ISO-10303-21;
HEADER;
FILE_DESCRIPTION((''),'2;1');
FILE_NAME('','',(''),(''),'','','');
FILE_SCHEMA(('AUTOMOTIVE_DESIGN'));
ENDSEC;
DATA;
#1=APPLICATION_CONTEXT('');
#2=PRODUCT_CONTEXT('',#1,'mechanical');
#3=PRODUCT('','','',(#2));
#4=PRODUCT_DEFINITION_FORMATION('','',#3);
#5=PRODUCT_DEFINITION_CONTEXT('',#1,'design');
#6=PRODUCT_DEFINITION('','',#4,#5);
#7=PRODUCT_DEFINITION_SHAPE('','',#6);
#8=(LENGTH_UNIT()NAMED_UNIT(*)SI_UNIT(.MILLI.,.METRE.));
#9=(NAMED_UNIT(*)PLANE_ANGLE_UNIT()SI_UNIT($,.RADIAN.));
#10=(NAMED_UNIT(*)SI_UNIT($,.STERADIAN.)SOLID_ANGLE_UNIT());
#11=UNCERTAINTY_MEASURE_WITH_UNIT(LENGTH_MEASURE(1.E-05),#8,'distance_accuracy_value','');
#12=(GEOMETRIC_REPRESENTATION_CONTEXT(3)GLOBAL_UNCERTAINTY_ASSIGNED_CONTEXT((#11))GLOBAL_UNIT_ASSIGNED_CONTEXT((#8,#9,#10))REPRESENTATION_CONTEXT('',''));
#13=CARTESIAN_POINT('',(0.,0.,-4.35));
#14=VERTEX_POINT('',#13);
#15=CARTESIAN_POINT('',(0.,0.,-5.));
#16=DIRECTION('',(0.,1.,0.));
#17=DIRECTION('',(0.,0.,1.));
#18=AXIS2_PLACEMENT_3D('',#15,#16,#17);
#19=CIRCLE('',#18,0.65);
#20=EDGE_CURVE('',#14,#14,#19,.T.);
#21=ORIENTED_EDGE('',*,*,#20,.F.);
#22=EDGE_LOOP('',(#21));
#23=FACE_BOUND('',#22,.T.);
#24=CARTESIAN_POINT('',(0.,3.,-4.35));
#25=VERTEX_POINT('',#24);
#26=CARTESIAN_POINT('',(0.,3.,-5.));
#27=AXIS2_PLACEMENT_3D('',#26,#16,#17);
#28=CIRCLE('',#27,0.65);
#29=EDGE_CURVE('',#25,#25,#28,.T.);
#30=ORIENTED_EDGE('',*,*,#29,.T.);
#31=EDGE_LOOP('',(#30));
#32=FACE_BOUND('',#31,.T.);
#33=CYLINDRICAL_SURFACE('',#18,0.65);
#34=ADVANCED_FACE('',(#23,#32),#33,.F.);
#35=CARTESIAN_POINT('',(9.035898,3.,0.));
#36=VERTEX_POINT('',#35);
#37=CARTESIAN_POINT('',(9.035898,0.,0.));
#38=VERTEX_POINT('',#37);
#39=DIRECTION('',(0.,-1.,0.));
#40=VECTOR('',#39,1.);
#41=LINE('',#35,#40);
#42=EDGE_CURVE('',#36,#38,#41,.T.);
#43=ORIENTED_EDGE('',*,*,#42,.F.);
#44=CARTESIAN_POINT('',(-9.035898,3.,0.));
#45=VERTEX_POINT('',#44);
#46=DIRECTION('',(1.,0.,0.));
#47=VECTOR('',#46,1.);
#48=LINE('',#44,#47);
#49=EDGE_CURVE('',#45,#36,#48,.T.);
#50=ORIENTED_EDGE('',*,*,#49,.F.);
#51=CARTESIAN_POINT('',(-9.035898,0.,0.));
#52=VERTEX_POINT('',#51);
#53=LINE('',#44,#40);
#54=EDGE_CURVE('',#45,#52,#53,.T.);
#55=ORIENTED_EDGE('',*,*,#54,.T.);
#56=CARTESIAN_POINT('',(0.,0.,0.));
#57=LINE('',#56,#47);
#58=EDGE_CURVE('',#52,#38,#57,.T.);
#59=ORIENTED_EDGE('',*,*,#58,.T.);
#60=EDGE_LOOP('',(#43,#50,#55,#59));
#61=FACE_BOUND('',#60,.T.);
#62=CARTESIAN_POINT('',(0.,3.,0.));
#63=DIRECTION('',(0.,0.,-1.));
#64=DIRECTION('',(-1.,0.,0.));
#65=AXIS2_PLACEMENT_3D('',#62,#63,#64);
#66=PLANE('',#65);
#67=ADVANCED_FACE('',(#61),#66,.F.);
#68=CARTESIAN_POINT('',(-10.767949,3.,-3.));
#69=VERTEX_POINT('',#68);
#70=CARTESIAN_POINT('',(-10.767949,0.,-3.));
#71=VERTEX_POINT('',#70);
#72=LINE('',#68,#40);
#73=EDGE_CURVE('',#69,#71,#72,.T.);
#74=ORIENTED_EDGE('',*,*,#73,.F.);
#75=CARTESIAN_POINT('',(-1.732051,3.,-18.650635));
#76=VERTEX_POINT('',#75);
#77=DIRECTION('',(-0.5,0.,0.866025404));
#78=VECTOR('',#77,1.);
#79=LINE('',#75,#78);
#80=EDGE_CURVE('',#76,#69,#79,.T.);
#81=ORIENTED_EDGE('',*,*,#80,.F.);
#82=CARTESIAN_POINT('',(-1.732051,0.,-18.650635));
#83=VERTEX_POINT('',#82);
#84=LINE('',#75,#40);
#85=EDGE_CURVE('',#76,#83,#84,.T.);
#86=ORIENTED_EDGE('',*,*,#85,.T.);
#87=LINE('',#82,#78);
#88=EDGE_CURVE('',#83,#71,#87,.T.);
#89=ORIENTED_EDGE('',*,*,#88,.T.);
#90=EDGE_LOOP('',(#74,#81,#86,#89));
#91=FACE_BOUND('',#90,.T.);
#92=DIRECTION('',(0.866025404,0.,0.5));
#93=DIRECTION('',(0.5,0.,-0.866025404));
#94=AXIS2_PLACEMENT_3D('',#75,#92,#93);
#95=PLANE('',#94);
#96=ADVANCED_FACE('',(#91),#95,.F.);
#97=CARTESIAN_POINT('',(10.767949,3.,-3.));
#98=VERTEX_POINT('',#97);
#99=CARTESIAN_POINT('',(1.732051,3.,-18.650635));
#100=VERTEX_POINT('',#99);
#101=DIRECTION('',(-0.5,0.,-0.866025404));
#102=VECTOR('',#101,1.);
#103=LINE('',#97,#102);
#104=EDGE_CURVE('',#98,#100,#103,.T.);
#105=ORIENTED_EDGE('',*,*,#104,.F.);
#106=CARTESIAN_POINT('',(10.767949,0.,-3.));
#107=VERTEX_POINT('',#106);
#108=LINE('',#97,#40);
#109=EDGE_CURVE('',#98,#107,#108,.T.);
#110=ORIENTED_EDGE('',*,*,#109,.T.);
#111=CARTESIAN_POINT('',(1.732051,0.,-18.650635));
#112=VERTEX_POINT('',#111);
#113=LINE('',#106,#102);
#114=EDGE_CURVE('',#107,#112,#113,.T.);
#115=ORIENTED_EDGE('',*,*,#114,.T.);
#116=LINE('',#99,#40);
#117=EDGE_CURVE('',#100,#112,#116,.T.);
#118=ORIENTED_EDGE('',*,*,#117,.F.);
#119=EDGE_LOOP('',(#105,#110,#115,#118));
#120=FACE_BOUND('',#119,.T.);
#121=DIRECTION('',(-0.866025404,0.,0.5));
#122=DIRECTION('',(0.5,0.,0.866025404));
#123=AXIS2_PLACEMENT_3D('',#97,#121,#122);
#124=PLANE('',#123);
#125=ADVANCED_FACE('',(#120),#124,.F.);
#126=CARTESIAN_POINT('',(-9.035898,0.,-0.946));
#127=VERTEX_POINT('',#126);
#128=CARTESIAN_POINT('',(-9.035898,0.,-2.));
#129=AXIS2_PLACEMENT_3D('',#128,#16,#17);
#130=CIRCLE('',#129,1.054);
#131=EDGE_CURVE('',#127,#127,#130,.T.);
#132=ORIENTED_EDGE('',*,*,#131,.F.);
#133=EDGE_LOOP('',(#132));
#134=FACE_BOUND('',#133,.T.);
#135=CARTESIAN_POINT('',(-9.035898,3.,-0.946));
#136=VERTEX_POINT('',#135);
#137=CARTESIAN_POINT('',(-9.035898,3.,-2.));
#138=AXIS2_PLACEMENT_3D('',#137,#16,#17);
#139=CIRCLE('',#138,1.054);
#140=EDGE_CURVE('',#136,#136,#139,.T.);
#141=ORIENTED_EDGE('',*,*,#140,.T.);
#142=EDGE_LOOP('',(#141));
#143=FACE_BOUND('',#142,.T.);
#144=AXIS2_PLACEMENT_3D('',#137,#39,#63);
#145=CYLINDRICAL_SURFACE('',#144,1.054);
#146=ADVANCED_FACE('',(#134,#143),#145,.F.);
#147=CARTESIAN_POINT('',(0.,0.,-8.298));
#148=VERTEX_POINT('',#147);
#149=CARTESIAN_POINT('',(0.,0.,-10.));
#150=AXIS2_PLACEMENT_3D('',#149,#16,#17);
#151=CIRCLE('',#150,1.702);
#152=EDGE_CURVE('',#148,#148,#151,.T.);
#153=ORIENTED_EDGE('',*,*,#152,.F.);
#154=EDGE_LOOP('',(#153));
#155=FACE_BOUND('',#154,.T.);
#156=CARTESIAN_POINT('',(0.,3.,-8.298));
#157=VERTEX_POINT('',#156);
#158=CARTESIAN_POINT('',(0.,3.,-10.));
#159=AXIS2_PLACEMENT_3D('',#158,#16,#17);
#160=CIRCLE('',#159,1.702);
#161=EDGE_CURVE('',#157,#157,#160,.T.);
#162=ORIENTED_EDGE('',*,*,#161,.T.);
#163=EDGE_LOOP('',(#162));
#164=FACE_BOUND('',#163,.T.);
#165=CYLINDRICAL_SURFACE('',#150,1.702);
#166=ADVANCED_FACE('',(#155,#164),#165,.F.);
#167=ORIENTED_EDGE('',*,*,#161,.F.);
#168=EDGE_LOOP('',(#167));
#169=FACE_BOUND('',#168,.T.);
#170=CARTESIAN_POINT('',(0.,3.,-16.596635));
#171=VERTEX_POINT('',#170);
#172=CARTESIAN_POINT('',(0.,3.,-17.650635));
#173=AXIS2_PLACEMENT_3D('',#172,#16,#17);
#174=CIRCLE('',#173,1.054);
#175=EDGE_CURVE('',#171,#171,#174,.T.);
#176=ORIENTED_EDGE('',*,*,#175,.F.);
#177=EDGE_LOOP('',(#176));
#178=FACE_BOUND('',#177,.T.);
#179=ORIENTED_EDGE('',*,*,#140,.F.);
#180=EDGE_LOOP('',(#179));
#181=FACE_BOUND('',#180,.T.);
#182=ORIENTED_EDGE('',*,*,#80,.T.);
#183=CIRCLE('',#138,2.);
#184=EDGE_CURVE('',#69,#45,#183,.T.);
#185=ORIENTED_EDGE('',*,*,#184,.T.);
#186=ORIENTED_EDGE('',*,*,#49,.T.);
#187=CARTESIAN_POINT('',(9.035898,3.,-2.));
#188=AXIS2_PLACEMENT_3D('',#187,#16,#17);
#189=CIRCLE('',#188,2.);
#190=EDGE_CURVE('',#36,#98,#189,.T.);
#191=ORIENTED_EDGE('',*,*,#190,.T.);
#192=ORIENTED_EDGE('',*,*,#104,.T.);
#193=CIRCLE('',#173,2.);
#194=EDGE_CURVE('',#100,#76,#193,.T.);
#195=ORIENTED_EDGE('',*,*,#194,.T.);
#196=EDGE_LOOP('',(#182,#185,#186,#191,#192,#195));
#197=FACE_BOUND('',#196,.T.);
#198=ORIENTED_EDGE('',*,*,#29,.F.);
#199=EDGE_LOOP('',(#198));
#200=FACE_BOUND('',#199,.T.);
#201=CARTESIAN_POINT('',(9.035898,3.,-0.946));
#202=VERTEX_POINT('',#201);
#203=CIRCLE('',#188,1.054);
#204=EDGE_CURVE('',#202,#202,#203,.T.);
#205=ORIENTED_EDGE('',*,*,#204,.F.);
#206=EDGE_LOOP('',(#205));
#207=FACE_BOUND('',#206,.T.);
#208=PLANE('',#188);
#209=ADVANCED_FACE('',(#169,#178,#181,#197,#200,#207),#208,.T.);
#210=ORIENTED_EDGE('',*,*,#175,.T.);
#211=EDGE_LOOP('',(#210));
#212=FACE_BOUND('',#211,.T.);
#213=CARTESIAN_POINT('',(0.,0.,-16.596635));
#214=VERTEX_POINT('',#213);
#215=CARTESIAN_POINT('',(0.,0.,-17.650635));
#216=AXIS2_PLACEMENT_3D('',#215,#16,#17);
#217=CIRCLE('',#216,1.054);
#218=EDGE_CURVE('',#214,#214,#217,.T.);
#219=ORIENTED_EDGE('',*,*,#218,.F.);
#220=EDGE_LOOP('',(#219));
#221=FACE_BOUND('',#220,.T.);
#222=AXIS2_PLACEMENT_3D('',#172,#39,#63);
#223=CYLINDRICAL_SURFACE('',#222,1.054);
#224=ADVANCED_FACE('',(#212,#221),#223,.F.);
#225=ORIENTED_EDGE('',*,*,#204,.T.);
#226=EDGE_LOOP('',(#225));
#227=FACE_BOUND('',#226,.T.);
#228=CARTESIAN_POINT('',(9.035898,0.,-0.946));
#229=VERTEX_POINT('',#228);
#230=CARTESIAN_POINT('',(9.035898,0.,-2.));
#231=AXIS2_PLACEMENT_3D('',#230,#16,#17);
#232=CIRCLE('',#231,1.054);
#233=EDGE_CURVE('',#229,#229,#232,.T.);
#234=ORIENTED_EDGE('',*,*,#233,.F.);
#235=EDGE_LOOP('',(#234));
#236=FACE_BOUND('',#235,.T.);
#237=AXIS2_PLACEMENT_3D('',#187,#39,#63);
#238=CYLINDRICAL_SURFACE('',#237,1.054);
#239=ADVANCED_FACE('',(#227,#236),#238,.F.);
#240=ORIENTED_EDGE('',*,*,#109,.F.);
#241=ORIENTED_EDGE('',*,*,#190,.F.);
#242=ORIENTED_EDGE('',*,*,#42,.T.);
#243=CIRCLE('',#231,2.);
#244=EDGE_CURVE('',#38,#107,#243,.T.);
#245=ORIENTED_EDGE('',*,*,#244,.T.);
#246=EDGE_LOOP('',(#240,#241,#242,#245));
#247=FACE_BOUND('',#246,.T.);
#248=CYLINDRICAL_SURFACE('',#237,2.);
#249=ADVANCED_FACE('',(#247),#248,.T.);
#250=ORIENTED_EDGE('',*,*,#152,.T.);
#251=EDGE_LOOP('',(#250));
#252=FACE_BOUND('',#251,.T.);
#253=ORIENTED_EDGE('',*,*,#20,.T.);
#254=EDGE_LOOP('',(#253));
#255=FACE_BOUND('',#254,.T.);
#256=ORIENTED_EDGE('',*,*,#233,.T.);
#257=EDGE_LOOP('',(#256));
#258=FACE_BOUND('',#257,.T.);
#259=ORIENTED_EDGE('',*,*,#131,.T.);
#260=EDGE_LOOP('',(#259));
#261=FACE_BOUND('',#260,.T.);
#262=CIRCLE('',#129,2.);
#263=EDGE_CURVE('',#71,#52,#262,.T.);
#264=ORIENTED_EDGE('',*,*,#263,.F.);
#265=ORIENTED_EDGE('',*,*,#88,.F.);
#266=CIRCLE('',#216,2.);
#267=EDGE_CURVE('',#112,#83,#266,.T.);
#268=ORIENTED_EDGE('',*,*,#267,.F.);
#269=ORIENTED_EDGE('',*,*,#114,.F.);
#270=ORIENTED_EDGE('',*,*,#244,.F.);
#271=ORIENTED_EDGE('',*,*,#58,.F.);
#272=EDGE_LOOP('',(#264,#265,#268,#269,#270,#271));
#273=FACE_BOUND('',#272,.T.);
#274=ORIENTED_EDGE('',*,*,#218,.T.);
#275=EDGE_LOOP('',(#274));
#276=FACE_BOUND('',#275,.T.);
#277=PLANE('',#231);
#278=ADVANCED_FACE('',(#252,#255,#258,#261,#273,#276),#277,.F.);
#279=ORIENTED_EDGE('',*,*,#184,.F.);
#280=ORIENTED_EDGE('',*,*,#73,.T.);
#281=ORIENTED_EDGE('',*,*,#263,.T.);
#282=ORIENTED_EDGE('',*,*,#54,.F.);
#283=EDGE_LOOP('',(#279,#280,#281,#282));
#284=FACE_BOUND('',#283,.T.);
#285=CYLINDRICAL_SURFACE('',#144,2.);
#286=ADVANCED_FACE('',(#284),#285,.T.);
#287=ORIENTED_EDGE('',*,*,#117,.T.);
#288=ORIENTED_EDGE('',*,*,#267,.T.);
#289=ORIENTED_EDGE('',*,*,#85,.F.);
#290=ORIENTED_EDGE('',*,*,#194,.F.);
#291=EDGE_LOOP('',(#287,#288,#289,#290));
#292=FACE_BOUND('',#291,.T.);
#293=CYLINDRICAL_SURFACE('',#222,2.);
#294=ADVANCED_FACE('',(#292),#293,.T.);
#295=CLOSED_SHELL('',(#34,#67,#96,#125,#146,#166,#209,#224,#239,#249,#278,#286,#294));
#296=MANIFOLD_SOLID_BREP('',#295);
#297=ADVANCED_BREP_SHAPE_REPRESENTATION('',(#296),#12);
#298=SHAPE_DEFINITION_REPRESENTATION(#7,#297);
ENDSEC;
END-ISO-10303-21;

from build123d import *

# Parameters (mm, degrees)
SKETCH1_R           = 1.054
BOSS_EXTRUDE1_DEPTH = 3
SKETCH2_R           = 1.702
SKETCH2_R_2         = 0.65
CUT_EXTRUDE1_DEPTH  = 23.736281859


with BuildPart() as part:
    # Sketch1 → Boss-Extrude1 (new body)
    with BuildSketch(Plane(origin=(0, 0, 0), x_dir=(1, 0, 0), z_dir=(0, 1, 0))):
        with BuildLine():
            Line((0, 0), (9.035898385, 0))
            ThreePointArc((9.035898385, 0), (10.767949192, 1), (10.767949192, 3))
            Line((10.767949192, 3), (1.732050808, 18.650635095))
            ThreePointArc((1.732050808, 18.650635095), (0, 19.650635095), (-1.732050808, 18.650635095))
            Line((-1.732050808, 18.650635095), (-10.767949192, 3))
            ThreePointArc((-10.767949192, 3), (-10.767949192, 1), (-9.035898385, 0))
            Line((-9.035898385, 0), (0, 0))
        make_face()
        with Locations(Location((0, 17.650635095, 0), (0, 0, 270))):
            Circle(SKETCH1_R, mode=Mode.SUBTRACT)
        with Locations(Location((-9.035898385, 2, 0), (0, 0, 270))):
            Circle(SKETCH1_R, mode=Mode.SUBTRACT)
        with Locations(Location((9.035898385, 2, 0), (0, 0, 270))):
            Circle(SKETCH1_R, mode=Mode.SUBTRACT)
    extrude(amount=BOSS_EXTRUDE1_DEPTH)

    # Sketch2 → Cut-Extrude1 (cut, through all)
    with BuildSketch(Plane(origin=(0, 3, 0), x_dir=(1, 0, 0), z_dir=(0, 1, 0))):
        with Locations(Location((0, 10, 0), (0, 0, 270))):
            Circle(SKETCH2_R)
        with Locations(Location((0, 5, 0), (0, 0, 270))):
            Circle(SKETCH2_R_2)
    extrude(amount=-CUT_EXTRUDE1_DEPTH, mode=Mode.SUBTRACT)


solid = part.part
